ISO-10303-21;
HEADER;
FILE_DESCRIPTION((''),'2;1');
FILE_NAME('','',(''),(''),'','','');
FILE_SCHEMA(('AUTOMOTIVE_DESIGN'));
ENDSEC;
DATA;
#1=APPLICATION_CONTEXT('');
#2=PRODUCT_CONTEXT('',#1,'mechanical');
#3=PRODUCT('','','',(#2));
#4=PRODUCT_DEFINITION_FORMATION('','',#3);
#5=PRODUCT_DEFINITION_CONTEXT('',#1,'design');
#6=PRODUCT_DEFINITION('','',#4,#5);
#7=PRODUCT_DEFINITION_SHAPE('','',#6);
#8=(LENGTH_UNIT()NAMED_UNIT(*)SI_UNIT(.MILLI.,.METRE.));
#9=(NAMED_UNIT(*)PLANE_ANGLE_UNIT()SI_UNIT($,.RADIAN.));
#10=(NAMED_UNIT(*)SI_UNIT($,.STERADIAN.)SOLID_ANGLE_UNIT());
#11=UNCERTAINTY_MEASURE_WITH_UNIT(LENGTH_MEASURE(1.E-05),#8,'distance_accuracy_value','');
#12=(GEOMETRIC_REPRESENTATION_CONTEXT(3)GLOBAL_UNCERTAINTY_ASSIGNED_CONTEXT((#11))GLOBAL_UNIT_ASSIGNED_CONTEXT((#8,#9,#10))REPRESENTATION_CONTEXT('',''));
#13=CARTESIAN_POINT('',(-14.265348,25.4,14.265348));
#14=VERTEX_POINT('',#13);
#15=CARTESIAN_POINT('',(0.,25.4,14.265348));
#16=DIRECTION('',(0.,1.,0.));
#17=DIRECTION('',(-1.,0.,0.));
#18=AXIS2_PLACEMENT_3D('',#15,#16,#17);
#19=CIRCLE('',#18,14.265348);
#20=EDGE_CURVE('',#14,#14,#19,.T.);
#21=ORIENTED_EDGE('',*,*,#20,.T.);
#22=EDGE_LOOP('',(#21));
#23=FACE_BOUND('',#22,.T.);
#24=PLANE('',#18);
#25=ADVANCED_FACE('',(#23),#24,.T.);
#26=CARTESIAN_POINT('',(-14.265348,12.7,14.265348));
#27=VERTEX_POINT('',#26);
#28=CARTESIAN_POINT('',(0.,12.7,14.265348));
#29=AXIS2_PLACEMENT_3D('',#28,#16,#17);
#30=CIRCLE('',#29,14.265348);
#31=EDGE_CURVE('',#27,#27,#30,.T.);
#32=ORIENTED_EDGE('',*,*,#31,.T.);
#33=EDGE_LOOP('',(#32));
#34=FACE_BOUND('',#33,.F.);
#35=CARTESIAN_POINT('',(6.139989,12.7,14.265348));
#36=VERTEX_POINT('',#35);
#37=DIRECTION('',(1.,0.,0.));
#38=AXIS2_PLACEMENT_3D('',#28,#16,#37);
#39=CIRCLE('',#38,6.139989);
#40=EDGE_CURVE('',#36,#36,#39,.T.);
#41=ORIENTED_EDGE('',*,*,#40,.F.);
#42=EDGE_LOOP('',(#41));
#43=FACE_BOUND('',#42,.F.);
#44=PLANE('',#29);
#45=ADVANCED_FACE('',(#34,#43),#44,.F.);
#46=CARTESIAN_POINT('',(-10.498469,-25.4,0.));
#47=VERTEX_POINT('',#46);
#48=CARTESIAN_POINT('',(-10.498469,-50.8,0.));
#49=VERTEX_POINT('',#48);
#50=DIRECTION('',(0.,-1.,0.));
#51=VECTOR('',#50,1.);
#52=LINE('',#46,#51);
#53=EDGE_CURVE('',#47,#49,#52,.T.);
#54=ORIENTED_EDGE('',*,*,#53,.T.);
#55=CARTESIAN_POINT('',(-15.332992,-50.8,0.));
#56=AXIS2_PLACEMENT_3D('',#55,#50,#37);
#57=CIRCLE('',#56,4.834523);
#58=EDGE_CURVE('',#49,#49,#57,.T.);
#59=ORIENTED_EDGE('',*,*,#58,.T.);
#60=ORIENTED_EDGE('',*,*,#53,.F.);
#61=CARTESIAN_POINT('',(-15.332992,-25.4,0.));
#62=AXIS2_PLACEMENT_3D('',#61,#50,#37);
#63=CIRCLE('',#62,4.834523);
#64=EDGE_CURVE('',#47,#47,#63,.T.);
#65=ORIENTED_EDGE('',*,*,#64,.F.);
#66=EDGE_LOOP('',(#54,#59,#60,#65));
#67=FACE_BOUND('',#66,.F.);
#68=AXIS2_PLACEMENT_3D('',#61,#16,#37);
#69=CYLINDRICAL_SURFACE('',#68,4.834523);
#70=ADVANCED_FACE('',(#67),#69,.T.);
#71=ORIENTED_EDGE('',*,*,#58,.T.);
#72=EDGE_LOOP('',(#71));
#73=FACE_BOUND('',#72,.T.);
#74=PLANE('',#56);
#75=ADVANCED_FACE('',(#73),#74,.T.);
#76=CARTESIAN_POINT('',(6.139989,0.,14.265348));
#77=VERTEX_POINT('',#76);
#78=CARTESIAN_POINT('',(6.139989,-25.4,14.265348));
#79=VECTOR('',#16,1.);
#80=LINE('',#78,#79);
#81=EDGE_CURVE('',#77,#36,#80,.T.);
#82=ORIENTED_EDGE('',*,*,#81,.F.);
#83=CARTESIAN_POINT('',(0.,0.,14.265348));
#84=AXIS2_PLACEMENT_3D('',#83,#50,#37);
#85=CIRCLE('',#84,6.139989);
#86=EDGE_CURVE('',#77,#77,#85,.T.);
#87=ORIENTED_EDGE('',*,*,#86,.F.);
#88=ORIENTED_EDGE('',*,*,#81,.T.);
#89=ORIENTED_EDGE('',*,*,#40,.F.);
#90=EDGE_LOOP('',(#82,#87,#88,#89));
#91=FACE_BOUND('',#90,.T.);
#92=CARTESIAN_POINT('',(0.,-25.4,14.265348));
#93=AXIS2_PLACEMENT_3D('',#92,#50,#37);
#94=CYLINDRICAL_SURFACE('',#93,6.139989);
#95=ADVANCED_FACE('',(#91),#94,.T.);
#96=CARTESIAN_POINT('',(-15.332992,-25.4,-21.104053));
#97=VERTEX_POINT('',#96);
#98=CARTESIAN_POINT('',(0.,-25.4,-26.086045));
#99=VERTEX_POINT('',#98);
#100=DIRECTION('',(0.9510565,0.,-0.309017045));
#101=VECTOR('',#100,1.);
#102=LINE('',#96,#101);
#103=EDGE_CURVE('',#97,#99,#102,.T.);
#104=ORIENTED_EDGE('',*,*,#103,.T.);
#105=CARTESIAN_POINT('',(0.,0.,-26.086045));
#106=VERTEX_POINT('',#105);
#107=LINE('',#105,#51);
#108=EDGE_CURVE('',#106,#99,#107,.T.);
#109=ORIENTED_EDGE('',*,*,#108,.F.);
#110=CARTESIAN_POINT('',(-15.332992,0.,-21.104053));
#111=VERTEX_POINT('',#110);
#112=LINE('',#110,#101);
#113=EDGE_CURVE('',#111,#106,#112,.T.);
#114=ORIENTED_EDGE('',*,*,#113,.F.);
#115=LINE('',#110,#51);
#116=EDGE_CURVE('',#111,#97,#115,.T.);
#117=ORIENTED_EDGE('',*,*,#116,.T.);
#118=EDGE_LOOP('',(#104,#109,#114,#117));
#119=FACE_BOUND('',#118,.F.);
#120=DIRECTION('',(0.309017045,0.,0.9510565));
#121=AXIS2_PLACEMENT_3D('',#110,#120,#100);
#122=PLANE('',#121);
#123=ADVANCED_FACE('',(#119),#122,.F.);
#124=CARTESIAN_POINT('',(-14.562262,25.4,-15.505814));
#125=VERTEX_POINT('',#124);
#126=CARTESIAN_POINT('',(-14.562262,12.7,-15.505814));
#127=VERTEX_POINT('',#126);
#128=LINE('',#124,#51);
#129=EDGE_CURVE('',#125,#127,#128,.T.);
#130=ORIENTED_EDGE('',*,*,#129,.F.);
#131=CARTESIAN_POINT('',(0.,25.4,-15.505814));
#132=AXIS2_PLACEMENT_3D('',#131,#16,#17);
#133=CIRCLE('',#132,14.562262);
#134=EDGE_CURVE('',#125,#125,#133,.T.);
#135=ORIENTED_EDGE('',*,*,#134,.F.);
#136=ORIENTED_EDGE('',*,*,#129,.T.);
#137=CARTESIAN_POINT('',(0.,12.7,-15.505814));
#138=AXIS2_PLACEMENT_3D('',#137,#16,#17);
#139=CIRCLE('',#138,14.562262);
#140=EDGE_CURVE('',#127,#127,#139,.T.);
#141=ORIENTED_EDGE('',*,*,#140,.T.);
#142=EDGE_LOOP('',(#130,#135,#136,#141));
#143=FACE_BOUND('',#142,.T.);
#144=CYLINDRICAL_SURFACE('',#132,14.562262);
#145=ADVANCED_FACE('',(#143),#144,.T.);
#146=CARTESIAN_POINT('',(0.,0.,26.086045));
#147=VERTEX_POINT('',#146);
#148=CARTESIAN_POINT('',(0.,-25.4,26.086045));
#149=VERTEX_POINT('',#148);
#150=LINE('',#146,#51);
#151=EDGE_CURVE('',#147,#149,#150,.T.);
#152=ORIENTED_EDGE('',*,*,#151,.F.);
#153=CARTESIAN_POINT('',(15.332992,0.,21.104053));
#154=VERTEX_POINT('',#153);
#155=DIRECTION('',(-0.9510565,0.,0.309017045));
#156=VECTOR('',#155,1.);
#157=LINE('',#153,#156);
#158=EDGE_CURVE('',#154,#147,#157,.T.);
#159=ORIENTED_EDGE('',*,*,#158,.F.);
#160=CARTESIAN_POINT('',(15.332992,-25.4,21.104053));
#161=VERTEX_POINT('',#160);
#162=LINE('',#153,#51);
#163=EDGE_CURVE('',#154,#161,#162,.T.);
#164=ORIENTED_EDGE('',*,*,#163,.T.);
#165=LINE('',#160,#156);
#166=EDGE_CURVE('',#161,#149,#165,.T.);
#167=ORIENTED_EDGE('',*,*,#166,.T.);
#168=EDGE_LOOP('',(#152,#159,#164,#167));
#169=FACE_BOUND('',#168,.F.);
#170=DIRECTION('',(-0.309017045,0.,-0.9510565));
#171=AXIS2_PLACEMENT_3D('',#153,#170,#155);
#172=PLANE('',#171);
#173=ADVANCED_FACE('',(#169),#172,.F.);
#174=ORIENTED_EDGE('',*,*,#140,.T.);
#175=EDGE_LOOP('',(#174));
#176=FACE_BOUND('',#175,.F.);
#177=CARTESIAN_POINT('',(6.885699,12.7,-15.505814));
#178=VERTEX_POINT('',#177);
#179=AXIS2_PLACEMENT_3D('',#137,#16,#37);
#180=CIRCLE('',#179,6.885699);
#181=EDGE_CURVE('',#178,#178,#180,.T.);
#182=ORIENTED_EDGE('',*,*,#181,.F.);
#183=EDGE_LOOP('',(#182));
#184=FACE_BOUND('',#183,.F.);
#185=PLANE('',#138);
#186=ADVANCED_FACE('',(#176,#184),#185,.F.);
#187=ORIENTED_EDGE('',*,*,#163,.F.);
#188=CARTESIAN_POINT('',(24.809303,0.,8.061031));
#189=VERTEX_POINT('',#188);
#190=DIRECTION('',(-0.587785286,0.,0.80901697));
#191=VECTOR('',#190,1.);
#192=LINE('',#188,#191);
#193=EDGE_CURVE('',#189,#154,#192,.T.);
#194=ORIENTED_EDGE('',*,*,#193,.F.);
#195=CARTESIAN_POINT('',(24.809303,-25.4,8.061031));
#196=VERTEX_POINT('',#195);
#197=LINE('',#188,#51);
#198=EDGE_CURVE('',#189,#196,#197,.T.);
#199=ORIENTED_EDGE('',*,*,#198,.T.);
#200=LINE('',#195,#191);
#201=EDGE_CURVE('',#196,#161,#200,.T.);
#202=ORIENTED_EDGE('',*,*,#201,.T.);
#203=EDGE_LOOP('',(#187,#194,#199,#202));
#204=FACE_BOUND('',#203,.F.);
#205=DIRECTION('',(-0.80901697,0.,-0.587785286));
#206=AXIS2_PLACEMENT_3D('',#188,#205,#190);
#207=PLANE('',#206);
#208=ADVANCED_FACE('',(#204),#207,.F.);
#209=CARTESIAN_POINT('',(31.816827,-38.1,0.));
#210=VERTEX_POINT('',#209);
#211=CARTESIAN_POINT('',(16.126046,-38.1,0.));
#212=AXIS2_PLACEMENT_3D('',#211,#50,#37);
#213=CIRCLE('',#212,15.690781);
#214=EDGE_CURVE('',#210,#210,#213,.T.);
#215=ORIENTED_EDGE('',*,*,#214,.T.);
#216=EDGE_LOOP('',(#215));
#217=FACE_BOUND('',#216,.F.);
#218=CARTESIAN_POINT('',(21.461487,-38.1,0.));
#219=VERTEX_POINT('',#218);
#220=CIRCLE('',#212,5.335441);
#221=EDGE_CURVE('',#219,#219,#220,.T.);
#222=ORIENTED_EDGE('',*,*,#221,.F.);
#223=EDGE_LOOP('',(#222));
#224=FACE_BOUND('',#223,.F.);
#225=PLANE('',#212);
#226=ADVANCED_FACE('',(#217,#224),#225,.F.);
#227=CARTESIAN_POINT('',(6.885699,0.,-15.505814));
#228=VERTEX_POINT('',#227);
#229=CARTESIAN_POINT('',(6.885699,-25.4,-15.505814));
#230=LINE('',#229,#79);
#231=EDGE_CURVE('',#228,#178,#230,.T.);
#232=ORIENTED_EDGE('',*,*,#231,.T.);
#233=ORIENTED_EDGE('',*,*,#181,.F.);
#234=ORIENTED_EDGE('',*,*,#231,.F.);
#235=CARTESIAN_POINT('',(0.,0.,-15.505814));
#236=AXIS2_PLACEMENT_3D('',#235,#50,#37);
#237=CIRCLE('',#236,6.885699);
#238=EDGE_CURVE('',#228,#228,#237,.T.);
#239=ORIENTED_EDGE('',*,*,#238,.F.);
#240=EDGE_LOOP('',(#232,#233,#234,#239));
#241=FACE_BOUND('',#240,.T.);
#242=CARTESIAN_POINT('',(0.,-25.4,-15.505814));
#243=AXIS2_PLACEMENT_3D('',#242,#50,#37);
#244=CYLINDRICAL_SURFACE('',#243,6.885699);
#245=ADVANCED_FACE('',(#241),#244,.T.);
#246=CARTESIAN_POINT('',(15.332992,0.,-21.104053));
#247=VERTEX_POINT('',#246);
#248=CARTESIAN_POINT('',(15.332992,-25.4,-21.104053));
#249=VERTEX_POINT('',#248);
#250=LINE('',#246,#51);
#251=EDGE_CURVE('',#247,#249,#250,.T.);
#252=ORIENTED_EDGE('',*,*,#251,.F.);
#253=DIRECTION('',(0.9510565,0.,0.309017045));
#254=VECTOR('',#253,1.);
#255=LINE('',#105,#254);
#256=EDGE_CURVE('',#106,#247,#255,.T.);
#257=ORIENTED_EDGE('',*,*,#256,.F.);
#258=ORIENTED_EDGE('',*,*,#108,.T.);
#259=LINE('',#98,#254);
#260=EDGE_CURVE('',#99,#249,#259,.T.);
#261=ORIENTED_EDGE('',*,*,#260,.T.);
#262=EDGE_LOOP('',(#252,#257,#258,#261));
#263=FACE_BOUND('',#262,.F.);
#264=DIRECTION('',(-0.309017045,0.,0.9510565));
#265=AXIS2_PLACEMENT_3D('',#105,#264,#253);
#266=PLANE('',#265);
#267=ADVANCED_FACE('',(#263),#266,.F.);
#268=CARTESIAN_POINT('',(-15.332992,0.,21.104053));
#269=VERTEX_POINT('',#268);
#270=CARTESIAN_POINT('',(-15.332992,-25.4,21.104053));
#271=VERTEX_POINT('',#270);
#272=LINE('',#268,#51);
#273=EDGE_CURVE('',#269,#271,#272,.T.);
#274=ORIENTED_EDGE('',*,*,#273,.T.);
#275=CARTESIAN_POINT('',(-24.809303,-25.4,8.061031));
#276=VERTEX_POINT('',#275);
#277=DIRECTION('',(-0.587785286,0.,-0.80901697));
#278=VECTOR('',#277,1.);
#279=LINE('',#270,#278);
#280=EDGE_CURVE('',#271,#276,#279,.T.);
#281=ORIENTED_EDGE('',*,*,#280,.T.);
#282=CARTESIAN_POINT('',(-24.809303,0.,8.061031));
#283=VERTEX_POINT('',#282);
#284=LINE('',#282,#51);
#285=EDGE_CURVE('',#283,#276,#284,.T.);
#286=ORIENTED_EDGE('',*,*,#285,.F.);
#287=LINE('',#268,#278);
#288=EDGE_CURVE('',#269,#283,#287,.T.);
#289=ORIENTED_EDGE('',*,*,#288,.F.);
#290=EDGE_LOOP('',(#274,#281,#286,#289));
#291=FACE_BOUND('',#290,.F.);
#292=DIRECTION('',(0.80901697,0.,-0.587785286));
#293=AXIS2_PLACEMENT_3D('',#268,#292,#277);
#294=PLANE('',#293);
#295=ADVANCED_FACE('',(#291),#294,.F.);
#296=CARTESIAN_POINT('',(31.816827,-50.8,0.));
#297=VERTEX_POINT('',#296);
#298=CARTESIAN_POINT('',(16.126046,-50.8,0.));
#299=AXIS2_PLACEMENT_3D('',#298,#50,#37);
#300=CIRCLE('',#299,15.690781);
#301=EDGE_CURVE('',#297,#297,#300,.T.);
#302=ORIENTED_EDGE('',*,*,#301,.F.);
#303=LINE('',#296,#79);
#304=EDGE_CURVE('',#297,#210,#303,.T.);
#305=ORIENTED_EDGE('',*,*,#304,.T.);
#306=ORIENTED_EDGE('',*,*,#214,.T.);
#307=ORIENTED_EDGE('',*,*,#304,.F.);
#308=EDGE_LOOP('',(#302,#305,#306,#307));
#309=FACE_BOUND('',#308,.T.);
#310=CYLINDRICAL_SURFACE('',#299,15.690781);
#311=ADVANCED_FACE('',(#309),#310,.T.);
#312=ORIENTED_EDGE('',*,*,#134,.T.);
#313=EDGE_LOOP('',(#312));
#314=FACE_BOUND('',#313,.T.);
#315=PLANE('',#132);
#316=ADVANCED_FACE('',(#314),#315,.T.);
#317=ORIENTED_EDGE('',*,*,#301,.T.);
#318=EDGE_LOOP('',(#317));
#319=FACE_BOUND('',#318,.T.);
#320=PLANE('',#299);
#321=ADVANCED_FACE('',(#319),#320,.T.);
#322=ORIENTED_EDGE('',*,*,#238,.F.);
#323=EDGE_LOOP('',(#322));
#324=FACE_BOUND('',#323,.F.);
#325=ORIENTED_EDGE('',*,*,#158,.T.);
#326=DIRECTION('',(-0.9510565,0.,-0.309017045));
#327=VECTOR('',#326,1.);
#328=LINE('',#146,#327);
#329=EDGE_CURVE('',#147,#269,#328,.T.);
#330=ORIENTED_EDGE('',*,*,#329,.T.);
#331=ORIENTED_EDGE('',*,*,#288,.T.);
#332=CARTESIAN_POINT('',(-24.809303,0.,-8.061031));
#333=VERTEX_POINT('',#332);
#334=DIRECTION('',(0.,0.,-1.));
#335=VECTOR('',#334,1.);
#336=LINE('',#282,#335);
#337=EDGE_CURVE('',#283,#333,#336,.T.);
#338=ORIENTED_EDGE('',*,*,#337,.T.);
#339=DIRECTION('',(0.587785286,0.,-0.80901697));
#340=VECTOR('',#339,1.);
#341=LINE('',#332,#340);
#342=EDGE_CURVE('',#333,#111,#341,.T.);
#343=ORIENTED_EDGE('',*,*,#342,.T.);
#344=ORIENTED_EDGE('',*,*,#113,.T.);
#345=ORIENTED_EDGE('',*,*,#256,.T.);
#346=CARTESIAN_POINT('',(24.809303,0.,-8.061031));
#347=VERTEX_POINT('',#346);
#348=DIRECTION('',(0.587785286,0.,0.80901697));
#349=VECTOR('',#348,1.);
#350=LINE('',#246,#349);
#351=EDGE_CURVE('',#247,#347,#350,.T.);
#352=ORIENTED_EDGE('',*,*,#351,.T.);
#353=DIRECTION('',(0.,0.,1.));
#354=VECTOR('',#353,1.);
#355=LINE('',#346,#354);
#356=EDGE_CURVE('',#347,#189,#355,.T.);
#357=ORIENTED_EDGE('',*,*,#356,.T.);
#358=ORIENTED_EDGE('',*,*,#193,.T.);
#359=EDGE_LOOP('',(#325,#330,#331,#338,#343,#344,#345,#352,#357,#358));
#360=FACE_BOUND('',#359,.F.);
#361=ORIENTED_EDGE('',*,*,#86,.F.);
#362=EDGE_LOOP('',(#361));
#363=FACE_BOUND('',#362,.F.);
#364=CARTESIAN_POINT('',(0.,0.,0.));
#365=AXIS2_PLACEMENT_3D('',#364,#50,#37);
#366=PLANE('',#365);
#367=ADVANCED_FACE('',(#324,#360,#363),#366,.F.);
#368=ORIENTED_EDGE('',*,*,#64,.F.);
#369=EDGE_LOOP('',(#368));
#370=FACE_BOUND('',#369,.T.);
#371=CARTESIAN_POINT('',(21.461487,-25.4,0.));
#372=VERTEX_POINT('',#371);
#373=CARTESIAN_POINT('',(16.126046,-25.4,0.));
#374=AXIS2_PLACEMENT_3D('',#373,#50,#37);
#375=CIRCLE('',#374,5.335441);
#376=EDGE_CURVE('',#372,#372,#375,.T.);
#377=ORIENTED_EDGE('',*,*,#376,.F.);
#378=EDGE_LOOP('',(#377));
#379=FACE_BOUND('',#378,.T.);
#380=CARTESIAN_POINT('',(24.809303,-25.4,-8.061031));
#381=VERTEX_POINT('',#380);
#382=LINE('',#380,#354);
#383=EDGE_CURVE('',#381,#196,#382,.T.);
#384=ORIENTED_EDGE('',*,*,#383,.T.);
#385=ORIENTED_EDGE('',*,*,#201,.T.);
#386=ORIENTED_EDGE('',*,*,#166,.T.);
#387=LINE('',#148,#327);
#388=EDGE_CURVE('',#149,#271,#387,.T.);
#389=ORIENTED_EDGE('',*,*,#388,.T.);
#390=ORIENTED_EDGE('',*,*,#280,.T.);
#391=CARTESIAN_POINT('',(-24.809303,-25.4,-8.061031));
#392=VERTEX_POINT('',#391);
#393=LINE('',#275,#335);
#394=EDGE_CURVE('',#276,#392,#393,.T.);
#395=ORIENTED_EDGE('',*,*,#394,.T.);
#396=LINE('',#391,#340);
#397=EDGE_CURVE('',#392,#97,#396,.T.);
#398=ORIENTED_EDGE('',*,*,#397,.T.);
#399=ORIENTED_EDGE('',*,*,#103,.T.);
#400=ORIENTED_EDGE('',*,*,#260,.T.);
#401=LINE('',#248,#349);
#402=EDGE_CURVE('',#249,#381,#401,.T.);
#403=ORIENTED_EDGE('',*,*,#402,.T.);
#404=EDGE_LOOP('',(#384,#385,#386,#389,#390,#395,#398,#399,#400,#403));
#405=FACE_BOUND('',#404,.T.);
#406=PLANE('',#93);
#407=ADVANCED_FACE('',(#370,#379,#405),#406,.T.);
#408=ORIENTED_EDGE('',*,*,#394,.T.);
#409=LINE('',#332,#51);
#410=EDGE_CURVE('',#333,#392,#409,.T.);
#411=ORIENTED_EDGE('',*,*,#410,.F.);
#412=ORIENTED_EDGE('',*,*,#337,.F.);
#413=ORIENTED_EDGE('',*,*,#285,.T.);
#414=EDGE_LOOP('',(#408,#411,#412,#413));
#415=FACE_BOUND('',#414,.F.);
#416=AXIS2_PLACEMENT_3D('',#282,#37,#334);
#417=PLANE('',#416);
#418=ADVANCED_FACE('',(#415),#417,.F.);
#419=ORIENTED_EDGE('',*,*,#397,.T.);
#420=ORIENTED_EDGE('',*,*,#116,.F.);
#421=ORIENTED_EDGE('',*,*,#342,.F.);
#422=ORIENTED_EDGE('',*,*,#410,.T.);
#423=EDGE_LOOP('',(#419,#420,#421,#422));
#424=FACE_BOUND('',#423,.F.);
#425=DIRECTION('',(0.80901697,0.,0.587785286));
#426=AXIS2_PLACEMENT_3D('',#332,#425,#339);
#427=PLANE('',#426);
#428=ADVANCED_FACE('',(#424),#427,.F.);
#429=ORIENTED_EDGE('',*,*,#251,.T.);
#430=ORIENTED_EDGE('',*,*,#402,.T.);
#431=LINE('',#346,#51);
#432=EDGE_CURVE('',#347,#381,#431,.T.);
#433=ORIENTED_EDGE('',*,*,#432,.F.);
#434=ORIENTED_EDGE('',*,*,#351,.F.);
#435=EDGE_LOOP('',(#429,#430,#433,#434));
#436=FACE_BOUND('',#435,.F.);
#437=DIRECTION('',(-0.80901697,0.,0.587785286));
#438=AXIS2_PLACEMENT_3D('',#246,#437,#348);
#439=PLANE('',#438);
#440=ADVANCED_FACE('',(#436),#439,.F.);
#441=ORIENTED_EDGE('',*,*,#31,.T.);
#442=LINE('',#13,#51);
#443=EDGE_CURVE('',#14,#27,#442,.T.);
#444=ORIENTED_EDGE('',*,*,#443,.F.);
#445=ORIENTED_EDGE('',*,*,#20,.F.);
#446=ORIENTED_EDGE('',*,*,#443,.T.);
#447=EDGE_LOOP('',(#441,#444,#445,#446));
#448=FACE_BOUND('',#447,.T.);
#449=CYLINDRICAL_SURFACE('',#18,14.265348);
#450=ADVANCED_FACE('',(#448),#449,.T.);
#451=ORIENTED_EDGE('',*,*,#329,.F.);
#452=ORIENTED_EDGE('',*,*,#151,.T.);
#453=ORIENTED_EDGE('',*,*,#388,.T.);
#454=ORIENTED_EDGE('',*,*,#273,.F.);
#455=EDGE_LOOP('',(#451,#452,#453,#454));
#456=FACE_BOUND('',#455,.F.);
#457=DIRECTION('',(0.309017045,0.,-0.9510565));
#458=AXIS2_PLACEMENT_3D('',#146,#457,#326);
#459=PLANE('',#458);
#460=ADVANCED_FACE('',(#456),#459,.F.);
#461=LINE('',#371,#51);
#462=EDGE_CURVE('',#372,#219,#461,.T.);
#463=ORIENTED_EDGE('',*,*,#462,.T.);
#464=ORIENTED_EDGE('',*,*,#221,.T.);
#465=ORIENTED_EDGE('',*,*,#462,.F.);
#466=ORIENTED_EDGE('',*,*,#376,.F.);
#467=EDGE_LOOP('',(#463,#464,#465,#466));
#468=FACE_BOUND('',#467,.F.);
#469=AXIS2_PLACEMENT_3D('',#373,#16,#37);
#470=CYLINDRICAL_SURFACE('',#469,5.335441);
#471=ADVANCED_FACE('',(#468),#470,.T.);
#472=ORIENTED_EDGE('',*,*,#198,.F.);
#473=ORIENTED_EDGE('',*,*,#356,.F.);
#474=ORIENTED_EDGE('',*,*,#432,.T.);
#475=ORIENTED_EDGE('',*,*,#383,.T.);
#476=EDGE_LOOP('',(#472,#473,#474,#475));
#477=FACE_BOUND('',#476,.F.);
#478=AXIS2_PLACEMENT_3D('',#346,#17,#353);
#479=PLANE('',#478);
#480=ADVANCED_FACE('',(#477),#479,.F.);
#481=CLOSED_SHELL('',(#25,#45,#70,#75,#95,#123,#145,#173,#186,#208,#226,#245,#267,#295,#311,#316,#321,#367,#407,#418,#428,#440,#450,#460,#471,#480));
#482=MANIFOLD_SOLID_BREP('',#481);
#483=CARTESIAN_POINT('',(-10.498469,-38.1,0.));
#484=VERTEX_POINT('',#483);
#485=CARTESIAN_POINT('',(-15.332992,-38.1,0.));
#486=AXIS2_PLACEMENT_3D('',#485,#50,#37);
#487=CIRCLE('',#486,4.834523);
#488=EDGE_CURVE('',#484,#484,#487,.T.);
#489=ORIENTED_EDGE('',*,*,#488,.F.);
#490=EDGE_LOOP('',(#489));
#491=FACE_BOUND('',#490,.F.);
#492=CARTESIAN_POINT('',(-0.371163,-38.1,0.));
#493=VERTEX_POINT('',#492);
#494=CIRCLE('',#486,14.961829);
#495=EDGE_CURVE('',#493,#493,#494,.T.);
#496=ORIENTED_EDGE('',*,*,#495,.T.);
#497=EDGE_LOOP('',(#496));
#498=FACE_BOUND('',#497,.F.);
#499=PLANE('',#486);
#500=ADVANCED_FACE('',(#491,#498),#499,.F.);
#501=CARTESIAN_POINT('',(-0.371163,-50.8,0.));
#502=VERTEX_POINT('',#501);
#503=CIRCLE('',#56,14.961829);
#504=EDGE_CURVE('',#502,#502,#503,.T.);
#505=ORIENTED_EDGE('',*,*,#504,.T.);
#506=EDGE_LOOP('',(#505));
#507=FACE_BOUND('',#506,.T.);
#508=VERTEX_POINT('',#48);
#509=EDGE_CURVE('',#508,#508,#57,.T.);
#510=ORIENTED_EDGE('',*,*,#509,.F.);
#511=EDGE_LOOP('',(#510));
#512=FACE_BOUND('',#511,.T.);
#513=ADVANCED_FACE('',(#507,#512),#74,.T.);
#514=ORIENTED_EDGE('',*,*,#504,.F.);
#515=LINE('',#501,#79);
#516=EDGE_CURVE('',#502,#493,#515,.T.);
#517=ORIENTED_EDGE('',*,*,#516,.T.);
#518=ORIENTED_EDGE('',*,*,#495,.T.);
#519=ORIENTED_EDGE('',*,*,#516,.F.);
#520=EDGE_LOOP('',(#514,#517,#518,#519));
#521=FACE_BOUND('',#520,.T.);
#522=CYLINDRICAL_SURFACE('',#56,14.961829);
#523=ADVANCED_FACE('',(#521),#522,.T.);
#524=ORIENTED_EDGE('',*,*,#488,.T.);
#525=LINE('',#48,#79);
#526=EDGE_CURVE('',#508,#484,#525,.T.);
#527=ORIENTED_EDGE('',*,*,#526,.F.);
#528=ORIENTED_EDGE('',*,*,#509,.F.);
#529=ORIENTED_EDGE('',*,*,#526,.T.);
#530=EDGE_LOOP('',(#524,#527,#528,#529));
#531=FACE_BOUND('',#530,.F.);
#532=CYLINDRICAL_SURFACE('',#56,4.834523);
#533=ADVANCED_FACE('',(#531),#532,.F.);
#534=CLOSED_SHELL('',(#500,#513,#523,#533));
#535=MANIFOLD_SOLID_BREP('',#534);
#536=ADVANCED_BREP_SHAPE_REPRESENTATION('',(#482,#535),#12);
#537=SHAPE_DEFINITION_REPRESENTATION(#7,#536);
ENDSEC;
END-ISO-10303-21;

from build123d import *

# Parameters (mm, degrees)
F1_DEPTH  = 25.4
F2_R      = 4.834523
F2_R_2    = 5.335441
F3_DEPTH  = 25.4
F4_R      = 6.139989
F4_R_2    = 6.885699
F5_DEPTH  = 50.8
F6_R      = 14.961829
F6_R_2    = 4.834523
F7_DEPTH  = 12.7
F8_R      = 15.690781
F8_R_2    = 5.335441
F9_DEPTH  = 12.7
F10_R     = 14.265348
F10_R_2   = 6.139989
F11_DEPTH = 12.7
F12_R     = 14.562262
F12_R_2   = 6.885699
F13_DEPTH = 12.7


with BuildPart() as f1:
    # F0 (on Front) → F1 (new body)
    with BuildSketch(Plane.XZ):
        Polygon((-24.809303, 8.061031), (-24.809303, -8.061031), (-15.332992, -21.104053), (0, -26.086045), (15.332992, -21.104053), (24.809303, -8.061031), (24.809303, 8.061031), (15.332992, 21.104053), (0, 26.086045), (-15.332992, 21.104053), align=None)
    extrude(amount=F1_DEPTH)

    # F2 (on face) → F3 (join)
    with BuildSketch(Plane.XZ.offset(25.4)):
        with Locations((-15.332992, 0)):
            Circle(F2_R)
        with Locations((16.126046, 0)):
            Circle(F2_R_2)
    extrude(amount=F3_DEPTH)

    # F4 (on face) → F5 (join)
    with BuildSketch(Plane.XZ.offset(25.4)):
        with Locations((0, 14.265348)):
            Circle(F4_R)
        with Locations((0, -15.505814)):
            Circle(F4_R_2)
    extrude(amount=-F5_DEPTH)

    # F8 (on face) → F9 (join)
    with BuildSketch(Plane.XZ.offset(50.8)):
        with Locations((16.126046, 0)):
            Circle(F8_R)
        with Locations((16.126046, 0)):
            Circle(F8_R_2, mode=Mode.SUBTRACT)
    extrude(amount=-F9_DEPTH)

    # F10 (on face) → F11 (join)
    with BuildSketch(Plane(origin=(0, 25.4, 0), x_dir=(-1, 0, 0), z_dir=(0, 1, 0))):
        with Locations((0, 14.265348)):
            Circle(F10_R)
        with Locations((0, 14.265348)):
            Circle(F10_R_2, mode=Mode.SUBTRACT)
    extrude(amount=-F11_DEPTH)

    # F12 (on face) → F13 (join)
    with BuildSketch(Plane(origin=(0, 25.4, 0), x_dir=(-1, 0, 0), z_dir=(0, 1, 0))):
        with Locations((0, -15.505814)):
            Circle(F12_R)
        with Locations((0, -15.505814)):
            Circle(F12_R_2, mode=Mode.SUBTRACT)
    extrude(amount=-F13_DEPTH)


with BuildPart() as f7:
    # F6 (on face) → F7 (new body)
    with BuildSketch(Plane.XZ.offset(50.8)):
        with Locations((-15.332992, 0)):
            Circle(F6_R)
        with Locations((-15.332992, 0)):
            Circle(F6_R_2, mode=Mode.SUBTRACT)
    extrude(amount=-F7_DEPTH)


solid = Compound([f1.part, f7.part])
